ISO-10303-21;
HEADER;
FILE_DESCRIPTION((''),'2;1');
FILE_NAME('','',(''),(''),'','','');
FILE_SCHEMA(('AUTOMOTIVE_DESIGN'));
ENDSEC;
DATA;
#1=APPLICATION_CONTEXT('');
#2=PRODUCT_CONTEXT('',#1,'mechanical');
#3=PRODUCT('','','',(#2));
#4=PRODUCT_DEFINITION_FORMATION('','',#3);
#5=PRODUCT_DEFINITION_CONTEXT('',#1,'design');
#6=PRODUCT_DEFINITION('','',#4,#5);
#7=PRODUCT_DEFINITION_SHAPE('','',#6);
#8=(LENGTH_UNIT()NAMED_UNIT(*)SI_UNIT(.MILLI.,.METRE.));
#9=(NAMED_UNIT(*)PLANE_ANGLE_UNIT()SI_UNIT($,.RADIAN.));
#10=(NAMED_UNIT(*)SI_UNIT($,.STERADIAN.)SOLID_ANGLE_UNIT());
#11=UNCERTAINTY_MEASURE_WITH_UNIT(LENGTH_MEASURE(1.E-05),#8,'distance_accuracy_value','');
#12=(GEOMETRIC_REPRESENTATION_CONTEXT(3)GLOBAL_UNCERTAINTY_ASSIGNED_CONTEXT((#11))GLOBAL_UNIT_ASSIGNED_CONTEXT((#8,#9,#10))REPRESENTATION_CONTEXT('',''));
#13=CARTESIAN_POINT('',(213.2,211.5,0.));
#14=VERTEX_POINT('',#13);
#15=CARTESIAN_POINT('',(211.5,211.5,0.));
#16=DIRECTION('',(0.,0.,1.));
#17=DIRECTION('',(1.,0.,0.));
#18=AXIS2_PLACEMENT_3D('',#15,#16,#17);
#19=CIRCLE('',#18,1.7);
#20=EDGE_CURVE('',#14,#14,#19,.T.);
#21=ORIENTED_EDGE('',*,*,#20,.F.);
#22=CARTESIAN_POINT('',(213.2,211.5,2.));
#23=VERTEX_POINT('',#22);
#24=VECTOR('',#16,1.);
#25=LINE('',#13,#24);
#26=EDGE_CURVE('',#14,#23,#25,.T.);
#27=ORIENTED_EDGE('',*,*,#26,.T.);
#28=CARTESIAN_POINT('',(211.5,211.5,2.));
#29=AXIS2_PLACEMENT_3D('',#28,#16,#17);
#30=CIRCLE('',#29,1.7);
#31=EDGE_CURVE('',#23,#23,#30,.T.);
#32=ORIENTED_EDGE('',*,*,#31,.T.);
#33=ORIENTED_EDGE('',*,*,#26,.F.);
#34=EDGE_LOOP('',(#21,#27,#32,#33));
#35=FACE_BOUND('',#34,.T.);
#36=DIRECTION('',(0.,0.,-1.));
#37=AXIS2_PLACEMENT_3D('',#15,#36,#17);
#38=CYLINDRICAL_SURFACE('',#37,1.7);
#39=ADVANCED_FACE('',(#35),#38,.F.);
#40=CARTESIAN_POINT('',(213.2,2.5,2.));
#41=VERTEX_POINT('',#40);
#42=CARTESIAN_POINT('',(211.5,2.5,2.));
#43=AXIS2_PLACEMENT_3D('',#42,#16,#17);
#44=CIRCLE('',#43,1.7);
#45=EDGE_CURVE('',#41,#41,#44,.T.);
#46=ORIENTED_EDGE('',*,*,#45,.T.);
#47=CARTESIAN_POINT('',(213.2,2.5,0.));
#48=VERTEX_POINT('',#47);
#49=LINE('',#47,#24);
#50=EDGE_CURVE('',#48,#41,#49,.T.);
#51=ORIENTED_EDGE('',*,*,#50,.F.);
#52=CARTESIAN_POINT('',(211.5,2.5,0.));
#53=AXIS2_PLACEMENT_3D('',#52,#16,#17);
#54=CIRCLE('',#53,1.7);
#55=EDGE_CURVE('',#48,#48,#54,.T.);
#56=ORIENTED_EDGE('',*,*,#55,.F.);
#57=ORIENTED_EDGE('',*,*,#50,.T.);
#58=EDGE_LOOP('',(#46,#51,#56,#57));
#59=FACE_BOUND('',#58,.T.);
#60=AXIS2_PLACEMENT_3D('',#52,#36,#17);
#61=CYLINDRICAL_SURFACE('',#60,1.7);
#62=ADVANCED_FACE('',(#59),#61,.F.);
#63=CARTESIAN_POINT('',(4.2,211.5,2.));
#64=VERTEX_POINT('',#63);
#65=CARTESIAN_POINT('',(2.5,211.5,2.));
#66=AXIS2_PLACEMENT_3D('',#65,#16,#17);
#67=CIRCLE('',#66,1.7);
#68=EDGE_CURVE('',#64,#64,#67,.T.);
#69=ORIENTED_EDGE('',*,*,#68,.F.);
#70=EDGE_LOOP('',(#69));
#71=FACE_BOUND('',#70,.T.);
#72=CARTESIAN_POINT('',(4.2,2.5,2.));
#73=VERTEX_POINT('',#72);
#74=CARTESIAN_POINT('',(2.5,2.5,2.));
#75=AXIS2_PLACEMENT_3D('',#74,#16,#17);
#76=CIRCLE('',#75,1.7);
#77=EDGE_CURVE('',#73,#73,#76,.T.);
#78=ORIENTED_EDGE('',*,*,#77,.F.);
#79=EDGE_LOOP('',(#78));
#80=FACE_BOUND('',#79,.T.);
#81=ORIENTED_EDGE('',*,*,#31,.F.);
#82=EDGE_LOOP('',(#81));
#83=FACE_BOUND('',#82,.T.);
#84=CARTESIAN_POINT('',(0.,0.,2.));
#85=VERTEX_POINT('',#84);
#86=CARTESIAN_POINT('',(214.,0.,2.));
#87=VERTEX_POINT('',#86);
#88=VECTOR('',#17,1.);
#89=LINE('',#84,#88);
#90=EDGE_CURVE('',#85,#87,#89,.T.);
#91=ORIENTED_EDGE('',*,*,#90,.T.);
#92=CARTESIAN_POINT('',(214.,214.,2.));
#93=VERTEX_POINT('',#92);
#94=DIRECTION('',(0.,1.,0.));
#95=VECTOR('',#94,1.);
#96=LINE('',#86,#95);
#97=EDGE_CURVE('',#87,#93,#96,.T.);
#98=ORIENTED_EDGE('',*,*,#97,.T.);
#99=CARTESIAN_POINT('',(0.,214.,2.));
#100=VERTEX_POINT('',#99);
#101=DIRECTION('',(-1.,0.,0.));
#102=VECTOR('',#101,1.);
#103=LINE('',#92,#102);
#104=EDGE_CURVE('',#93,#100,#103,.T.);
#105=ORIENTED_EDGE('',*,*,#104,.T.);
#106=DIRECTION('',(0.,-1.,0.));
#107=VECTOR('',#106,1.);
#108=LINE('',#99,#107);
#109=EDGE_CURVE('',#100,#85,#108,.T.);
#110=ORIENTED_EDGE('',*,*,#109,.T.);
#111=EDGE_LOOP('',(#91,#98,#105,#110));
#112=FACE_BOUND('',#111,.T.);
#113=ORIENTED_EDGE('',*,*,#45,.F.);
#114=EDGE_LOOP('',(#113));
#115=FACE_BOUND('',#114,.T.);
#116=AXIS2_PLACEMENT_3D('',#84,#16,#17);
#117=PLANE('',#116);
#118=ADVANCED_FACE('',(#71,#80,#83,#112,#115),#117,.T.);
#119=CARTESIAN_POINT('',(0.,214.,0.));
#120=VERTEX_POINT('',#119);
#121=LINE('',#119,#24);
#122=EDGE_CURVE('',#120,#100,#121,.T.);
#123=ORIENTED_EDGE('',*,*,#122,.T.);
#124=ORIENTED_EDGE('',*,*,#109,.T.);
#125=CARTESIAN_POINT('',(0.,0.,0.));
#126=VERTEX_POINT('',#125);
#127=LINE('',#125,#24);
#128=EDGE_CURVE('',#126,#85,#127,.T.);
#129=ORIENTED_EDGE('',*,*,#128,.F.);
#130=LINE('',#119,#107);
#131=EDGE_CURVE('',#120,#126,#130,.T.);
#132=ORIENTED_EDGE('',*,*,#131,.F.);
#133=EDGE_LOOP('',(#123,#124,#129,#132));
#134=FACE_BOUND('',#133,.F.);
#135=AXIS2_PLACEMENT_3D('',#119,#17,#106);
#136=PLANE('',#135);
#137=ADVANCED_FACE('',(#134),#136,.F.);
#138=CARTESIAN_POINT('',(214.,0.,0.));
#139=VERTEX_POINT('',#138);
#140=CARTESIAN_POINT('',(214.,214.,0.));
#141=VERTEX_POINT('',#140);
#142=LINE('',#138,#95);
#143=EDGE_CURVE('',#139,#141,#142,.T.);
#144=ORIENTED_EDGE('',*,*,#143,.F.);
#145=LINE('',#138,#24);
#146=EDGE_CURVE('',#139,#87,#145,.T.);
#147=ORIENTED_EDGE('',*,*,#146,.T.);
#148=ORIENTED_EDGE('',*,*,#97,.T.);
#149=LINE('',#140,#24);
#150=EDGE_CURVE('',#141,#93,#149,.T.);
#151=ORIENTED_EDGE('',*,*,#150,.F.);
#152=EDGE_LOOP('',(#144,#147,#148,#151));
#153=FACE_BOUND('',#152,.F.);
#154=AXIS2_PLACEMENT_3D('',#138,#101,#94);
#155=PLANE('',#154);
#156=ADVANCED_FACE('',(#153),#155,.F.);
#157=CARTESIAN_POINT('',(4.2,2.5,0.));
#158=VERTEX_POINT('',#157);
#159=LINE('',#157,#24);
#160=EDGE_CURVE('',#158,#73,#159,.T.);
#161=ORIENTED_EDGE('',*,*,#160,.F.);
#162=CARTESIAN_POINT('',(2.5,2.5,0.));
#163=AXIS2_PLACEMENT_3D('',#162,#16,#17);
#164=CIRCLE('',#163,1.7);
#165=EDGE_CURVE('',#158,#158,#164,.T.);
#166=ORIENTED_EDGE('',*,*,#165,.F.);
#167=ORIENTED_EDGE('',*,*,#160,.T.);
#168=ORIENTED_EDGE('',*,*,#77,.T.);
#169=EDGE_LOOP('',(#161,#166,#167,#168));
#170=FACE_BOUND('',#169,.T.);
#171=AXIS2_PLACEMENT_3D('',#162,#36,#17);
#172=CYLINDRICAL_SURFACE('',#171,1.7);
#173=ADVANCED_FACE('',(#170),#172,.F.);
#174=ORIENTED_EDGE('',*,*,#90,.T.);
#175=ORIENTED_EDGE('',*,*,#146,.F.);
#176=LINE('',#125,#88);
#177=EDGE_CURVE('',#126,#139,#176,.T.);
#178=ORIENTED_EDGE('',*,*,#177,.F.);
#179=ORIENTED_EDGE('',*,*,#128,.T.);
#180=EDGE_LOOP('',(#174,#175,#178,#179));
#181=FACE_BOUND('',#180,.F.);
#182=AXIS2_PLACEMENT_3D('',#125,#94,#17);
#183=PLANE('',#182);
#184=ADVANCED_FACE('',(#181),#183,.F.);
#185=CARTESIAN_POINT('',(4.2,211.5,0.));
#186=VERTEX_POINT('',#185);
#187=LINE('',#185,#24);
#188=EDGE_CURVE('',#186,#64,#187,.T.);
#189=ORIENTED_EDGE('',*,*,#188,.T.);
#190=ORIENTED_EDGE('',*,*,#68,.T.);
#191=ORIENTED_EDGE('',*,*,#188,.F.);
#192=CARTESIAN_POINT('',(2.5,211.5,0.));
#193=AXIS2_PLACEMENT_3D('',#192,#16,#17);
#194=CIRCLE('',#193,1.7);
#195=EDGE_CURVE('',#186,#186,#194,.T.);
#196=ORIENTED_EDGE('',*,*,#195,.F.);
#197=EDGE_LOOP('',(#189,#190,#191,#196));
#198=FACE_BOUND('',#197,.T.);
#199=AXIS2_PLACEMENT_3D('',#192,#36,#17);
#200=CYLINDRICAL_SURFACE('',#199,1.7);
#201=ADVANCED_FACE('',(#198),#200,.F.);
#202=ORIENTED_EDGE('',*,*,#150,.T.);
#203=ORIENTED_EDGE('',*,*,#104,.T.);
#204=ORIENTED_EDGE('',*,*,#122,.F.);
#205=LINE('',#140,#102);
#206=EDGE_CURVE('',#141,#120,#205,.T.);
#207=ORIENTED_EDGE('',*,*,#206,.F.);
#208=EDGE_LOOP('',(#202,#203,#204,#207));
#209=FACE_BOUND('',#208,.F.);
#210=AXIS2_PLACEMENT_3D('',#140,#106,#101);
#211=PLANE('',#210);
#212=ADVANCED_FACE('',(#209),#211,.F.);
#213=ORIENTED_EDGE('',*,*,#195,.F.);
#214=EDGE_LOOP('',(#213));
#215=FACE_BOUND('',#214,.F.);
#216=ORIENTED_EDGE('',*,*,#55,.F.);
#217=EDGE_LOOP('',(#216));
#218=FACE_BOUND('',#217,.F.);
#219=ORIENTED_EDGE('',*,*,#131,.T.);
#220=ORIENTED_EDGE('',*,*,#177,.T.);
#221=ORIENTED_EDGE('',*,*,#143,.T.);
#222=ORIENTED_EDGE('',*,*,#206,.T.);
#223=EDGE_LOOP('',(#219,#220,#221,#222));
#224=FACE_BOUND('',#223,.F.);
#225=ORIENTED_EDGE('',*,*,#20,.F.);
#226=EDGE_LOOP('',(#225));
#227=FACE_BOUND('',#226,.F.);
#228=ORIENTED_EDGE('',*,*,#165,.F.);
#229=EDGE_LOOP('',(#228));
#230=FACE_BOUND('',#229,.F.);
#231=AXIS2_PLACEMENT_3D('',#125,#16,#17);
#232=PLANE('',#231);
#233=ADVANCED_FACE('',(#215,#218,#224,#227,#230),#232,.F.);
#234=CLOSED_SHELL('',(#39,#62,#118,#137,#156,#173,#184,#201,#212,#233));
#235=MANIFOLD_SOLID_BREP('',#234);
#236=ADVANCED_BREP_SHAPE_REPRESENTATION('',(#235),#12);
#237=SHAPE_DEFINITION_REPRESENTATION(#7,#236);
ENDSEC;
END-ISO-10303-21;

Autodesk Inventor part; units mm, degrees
ref_plane "YZ Plane" through (0, 0, 0) normal (1, 0, 0) x (0, 1, 0)
ref_plane "XZ Plane" through (0, 0, 0) normal (0, 1, 0) x (-1, 0, 0)
ref_plane "XY Plane" through (0, 0, 0) normal (0, 0, 1) x (1, 0, 0)
sketch "Sketch1" plane through (0, 0, 0) normal (0, 0, 1) x (1, 0, 0)
  line L0 (0, 0) -> (214, 0)
  line L1 (214, 0) -> (214, 214)
  line L2 (214, 214) -> (0, 214)
  line L3 (0, 214) -> (0, 0)
  line L4 (2.5, 211.5) -> (211.5, 211.5) construction
  line L5 (211.5, 211.5) -> (211.5, 2.5) construction
  line L6 (211.5, 2.5) -> (2.5, 2.5) construction
  line L7 (2.5, 2.5) -> (2.5, 211.5) construction
  circle A0 centre (2.5, 211.5) radius 1.7
  circle A1 centre (211.5, 211.5) radius 1.7
  circle A2 centre (211.5, 2.5) radius 1.7
  circle A3 centre (2.5, 2.5) radius 1.7
  point P0 (2.5, 107)
  point P1 (0, 107)
  point P2 (107, 211.5)
  point P3 (107, 214)
  dimension "d0" = 214
  dimension "d1" = 214
  dimension "d2" = 3.4
  dimension "d3" = 3.4
  dimension "d4" = 3.4
  dimension "d5" = 3.4
  dimension "d6" = 209
  dimension "d7" = 209
extrude "Extrusion1" add sketch "Sketch1" along normal blind 2
properties part number "pcb_heatbed"
